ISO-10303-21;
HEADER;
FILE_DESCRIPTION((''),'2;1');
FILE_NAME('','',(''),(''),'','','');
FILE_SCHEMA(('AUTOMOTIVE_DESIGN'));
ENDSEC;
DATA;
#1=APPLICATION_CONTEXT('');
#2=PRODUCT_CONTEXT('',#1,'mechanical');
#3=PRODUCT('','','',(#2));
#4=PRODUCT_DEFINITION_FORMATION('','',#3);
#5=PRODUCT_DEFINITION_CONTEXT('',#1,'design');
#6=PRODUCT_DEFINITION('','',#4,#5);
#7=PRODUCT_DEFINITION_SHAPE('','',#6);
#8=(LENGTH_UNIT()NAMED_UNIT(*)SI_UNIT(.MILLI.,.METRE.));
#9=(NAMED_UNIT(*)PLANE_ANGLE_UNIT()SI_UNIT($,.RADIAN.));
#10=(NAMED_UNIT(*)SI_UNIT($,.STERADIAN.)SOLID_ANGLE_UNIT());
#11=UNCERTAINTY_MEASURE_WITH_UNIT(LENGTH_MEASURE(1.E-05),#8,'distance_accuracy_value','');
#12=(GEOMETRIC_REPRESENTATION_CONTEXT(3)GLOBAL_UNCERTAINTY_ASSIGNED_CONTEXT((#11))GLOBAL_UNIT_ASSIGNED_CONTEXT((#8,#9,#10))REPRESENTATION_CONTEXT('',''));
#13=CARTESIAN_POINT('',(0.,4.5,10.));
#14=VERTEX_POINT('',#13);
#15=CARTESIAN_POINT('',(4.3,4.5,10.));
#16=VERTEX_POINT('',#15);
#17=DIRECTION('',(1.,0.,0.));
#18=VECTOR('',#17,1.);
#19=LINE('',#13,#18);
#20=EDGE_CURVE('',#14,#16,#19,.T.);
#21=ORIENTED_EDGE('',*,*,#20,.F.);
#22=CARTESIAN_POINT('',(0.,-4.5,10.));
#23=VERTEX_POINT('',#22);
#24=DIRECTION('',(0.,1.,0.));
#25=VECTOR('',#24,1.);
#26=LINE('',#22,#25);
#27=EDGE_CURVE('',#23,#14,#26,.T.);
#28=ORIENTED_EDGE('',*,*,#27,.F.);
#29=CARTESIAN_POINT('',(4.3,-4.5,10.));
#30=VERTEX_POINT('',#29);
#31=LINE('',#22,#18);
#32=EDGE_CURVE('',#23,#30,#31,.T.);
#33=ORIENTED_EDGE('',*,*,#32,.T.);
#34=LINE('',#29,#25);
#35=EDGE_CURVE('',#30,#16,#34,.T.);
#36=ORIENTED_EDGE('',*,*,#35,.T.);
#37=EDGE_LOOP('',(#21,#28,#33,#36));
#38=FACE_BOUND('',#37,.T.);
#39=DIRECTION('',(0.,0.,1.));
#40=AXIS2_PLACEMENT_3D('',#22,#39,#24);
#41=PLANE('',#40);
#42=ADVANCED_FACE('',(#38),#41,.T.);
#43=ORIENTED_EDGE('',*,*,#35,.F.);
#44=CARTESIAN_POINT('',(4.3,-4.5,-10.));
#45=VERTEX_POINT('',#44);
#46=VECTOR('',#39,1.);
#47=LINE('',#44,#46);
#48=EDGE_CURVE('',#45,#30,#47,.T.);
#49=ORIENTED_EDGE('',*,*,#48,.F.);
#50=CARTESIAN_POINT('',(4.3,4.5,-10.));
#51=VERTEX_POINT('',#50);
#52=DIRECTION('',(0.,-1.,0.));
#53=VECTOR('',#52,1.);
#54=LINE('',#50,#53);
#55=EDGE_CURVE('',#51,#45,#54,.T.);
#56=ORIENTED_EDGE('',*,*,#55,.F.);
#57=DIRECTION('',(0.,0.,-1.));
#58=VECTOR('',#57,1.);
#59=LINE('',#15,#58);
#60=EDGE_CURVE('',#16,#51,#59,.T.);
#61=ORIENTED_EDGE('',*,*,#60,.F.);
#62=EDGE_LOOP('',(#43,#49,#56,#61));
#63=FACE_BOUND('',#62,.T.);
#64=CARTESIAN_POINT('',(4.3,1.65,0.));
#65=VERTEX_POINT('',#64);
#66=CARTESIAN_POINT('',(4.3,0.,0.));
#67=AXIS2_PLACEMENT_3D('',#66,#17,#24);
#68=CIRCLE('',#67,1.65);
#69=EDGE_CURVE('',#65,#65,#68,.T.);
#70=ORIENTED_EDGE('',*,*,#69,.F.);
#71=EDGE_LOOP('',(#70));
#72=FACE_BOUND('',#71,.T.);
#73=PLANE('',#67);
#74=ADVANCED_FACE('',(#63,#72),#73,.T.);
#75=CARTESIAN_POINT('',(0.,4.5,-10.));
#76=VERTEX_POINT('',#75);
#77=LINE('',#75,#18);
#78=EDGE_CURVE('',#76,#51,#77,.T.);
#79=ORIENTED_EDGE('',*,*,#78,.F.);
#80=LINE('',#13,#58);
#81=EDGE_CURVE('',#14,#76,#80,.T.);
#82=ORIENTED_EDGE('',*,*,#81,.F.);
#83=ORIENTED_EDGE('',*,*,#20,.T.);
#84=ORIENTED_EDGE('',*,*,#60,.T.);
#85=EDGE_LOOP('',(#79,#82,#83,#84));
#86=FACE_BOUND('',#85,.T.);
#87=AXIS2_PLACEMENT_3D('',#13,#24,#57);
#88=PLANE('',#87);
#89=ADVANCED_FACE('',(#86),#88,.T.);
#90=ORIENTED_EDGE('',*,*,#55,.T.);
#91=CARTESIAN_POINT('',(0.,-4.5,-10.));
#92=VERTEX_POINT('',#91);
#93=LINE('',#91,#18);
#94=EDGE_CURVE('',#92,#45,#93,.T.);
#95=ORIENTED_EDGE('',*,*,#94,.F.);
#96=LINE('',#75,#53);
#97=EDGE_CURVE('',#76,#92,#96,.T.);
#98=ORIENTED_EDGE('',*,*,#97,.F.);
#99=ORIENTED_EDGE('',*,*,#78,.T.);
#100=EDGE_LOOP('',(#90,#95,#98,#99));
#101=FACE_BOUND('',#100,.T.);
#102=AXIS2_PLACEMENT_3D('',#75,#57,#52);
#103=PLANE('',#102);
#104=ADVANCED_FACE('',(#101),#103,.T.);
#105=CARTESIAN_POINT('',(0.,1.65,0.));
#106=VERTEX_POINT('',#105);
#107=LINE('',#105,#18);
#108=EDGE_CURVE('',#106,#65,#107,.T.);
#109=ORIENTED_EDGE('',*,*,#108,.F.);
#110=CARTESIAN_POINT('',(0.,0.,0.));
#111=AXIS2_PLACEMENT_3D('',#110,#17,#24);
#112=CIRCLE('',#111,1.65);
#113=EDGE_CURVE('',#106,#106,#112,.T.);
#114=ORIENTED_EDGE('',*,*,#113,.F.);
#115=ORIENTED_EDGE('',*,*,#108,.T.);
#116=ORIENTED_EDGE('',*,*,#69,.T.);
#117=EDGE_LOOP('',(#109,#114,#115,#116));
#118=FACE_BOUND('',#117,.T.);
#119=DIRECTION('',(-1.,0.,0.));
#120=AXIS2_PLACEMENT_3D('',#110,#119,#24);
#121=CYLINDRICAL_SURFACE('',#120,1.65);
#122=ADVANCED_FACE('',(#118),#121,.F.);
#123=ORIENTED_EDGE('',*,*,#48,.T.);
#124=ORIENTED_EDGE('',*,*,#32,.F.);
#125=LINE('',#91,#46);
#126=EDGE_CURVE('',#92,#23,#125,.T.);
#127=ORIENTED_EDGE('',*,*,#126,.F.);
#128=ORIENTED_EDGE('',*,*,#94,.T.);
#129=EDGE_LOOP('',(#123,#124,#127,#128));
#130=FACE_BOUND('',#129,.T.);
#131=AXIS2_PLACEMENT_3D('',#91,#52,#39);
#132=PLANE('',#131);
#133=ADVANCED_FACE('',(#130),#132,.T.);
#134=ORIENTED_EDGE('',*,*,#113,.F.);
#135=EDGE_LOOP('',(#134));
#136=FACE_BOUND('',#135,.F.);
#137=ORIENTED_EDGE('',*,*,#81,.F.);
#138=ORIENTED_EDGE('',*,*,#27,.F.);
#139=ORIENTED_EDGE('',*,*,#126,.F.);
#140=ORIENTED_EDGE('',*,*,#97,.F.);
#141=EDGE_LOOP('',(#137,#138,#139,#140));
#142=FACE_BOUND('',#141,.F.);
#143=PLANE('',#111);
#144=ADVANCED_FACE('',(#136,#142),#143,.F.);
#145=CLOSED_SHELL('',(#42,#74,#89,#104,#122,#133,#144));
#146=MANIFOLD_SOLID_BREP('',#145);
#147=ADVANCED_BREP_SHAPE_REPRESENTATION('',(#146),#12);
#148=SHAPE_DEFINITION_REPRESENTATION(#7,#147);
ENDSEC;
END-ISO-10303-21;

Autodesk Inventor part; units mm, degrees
ref_plane "YZ Plane" through (0, 0, 0) normal (1, 0, 0) x (0, 1, 0)
ref_plane "XZ Plane" through (0, 0, 0) normal (0, 1, 0) x (-1, 0, 0)
ref_plane "XY Plane" through (0, 0, 0) normal (0, 0, 1) x (1, 0, 0)
sketch "Sketch1" plane through (0, 0, 0) normal (1, 0, 0) x (0, 1, 0)
  line L0 (-4.5, 10) -> (4.5, 10)
  line L1 (4.5, 10) -> (4.5, -10)
  line L2 (4.5, -10) -> (-4.5, -10)
  line L3 (-4.5, -10) -> (-4.5, 10)
  line L4 (-4.5, 10) -> (4.5, -10) construction
  line L5 (4.5, 10) -> (-4.5, -10) construction
  circle A0 centre (0, 0) radius 1.65
  point P0 (0, 0)
  dimension "d0" = 9
  dimension "d1" = 20
  dimension "d2" = 3.3
extrude "Extrusion1" add sketch "Sketch1" along normal blind 4.3
properties part number "GPU Clamp"
